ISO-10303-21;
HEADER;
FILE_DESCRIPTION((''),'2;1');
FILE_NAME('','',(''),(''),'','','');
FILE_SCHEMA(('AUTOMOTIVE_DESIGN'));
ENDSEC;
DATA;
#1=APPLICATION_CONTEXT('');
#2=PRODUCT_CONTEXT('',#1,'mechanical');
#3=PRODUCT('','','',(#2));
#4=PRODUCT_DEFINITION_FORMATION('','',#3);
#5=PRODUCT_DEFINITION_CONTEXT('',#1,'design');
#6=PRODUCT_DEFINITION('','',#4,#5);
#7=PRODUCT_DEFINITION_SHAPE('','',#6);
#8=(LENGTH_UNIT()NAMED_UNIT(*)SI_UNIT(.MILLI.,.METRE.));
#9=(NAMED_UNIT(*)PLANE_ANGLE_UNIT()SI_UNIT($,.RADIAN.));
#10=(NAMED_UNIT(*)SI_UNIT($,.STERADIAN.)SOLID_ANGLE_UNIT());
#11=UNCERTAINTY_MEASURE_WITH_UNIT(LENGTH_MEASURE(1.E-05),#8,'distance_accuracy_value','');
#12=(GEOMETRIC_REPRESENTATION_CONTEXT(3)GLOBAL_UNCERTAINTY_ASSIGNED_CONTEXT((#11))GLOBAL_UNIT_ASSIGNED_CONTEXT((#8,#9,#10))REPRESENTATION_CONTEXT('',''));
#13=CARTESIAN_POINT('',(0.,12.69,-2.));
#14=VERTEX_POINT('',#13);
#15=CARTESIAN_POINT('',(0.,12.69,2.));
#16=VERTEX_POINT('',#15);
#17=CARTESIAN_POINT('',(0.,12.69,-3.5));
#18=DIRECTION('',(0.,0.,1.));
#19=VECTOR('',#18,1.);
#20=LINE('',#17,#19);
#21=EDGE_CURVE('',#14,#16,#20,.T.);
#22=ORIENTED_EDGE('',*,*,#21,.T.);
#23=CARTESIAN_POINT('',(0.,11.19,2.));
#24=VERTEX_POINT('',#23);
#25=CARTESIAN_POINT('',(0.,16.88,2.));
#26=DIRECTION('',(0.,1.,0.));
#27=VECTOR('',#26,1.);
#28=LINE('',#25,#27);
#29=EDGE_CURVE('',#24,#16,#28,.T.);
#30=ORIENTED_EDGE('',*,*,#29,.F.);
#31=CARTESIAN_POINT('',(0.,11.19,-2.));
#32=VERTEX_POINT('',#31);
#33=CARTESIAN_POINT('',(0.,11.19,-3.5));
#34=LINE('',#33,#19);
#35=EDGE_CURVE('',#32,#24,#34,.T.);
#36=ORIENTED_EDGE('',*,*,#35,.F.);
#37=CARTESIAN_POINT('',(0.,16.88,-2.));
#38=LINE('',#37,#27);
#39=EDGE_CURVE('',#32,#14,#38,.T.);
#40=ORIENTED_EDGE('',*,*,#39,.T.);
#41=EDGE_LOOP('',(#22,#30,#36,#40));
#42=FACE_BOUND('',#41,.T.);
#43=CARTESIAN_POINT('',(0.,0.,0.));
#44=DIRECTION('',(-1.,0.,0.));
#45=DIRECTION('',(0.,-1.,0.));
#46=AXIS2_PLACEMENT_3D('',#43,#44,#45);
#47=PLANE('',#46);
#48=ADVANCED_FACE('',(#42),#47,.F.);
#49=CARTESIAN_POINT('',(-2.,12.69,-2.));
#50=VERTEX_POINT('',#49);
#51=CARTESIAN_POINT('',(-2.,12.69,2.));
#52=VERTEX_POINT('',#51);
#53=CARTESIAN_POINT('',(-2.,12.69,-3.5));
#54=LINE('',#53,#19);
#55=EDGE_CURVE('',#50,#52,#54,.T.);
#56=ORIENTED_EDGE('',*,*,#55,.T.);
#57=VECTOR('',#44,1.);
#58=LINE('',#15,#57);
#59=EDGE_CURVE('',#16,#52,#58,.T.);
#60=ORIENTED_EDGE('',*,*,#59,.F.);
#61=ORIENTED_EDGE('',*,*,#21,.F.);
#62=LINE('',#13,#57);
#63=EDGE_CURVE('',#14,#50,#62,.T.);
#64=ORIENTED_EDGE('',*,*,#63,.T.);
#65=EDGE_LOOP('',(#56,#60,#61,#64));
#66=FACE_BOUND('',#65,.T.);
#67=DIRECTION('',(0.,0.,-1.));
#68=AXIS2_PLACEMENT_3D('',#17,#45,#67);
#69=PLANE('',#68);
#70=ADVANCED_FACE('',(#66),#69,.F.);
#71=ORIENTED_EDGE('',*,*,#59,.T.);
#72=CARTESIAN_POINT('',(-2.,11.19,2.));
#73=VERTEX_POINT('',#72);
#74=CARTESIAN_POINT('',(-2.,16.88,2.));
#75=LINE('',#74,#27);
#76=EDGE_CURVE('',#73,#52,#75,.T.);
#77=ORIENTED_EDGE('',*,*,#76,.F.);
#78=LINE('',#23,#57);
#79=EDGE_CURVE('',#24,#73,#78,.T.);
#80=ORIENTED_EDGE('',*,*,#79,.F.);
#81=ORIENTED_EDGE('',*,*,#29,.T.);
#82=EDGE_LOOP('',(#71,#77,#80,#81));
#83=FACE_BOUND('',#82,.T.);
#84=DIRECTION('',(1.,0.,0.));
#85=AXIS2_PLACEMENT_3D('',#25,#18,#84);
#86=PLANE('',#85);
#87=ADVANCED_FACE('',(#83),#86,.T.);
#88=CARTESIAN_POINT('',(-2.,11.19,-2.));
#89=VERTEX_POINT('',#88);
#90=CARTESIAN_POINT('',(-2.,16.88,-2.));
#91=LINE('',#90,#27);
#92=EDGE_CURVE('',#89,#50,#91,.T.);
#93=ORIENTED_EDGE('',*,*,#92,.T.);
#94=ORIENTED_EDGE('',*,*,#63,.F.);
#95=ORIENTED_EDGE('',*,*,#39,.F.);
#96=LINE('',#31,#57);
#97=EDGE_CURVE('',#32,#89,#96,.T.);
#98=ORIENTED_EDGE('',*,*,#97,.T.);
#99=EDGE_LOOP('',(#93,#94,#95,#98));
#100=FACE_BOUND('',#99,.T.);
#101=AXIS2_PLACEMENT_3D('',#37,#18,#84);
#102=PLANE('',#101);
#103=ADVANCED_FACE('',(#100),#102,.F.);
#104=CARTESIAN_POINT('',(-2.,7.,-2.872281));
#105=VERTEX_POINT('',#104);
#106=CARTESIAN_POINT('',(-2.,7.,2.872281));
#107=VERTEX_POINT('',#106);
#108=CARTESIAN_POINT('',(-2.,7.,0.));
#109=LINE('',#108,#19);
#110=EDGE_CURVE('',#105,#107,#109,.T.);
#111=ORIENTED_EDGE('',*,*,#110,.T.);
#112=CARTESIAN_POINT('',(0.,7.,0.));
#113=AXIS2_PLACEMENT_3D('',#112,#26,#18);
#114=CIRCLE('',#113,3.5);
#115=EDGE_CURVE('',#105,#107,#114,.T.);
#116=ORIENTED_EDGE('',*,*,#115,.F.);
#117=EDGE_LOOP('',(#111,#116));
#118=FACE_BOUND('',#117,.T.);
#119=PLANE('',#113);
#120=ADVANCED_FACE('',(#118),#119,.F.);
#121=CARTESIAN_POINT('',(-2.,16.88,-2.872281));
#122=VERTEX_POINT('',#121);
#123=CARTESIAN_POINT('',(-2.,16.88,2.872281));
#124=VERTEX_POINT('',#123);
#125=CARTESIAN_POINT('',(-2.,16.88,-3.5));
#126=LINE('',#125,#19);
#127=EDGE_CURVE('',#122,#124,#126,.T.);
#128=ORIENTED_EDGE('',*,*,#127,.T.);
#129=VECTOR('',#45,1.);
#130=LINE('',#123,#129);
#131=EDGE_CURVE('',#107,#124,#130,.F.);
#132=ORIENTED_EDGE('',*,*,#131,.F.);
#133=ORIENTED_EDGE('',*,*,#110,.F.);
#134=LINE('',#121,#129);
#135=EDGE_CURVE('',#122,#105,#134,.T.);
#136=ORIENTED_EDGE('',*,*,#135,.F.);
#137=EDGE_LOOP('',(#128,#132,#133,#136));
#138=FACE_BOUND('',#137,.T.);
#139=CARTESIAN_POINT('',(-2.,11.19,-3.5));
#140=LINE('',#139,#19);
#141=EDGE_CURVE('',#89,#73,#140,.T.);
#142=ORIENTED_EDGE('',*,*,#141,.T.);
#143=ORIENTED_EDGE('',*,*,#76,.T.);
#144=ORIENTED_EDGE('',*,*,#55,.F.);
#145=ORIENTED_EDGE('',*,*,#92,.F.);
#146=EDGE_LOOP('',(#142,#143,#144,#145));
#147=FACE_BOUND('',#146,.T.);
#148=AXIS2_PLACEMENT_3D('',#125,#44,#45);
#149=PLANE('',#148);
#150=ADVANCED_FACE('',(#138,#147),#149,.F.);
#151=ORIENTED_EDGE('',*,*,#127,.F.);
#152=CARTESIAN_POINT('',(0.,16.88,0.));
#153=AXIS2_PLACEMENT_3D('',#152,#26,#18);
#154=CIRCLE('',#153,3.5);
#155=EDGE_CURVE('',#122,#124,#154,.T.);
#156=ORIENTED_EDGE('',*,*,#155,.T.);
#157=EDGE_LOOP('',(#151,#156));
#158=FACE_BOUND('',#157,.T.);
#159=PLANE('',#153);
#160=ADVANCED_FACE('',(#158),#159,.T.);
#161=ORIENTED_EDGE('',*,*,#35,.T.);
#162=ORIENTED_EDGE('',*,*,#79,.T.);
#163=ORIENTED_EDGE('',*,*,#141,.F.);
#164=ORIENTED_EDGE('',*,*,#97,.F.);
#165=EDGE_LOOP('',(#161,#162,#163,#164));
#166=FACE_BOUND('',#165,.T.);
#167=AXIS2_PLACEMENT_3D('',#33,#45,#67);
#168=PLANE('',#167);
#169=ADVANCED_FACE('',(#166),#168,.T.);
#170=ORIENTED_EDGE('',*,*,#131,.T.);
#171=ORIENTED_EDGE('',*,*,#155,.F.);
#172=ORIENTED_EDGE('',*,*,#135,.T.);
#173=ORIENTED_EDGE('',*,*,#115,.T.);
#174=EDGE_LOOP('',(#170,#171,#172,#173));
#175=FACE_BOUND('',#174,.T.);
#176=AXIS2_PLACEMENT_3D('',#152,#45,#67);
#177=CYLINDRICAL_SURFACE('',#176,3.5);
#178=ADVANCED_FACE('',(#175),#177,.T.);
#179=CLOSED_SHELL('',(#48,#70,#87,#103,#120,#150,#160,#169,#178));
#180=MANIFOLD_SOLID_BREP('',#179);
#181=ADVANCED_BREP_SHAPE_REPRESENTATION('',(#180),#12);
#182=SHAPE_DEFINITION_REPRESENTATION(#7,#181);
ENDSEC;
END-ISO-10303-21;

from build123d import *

# Parameters (mm, degrees)
SKETCH_1_R               = 2.5
EXTRUDE_1_DEPTH          = 23.88
SKETCH_2_R               = 1
EXTRUDE_2_DEPTH          = 1
CUT_EXTRUDE_1_DEPTH      = 5
CUT_EXTRUDE_START        = 18.88
CUT_EXTRUDE_2_DEPTH      = 5
SKETCH_6_R               = 0.25
CUT_EXTRUDE_3_DEPTH      = 0.25
CUT_EXTRUDE_START_2      = 5.25
SKETCH_7_R               = 0.25
CUT_EXTRUDE_4_DEPTH      = 0.25
EXTRUDE_START            = 7
SKETCH_17_R              = 3.5
EXTRUDE_5_DEPTH          = 9.88
CUT_EXTRUDE_6_DEPTH      = 26.937509518
CUT_EXTRUDE_6_DEPTH_BACK = 26.937509518
SKETCH_20_OUTSIDE_W      = 20.616
SKETCH_20_OUTSIDE_H      = 31.496
SKETCH_20_OUTSIDE_W_2    = 7
SKETCH_20_OUTSIDE_H_2    = 9.88
CUT_EXTRUDE_7_DEPTH      = 18.590747568
CUT_EXTRUDE_7_DEPTH_BACK = 18.590747568
SKETCH_22_W              = 5.5
SKETCH_22_H              = 9.88
EXTRUDE_START_2          = -2
SKETCH_24_W              = 4
SKETCH_24_H              = 1.5
EXTRUDE_6_DEPTH          = 2


with BuildPart() as part:
    # 草图1 → 凸台-拉伸1 (new body)
    with BuildSketch(Plane(origin=(0, 0, 0), x_dir=(1, 0, 0), z_dir=(0, 1, 0))):
        with Locations(Location((0, 0, 0), (0, 0, 90))):
            Circle(SKETCH_1_R)
    extrude(amount=EXTRUDE_1_DEPTH)

    # 草图2 → 凸台-拉伸2 (add)
    with BuildSketch(Plane(origin=(0, 0, 0), x_dir=(1, 0, 0), z_dir=(0, 1, 0))):
        with BuildLine():
            Line((0.166666667, 2.494438258), (7.633333333, 1.995550606))
            ThreePointArc((7.633333333, 1.995550606), (9.5, 0), (7.633333333, -1.995550606))
            Line((7.633333333, -1.995550606), (0.166666667, -2.494438258))
            ThreePointArc((0.166666667, -2.494438258), (-2.5, 0), (0.166666667, 2.494438258))
        make_face()
        with Locations(Location((7.5, 0, 0), (0, 0, 270))):
            Circle(SKETCH_2_R, mode=Mode.SUBTRACT)
    extrude(amount=EXTRUDE_2_DEPTH)

    # 草图3 → 切除-拉伸1 (cut)
    with BuildSketch(Plane(origin=(0, 0, 0), x_dir=(1, 0, 0), z_dir=(0, 1, 0))):
        with BuildLine():
            Line((-1.854049622, -0.75), (-0.75, -0.75))
            Line((-0.75, -0.75), (-0.75, -1.854049622))
            ThreePointArc((-0.75, -1.854049622), (0, -2), (0.75, -1.854049622))
            Line((0.75, -1.854049622), (0.75, -0.75))
            Line((0.75, -0.75), (1.854049622, -0.75))
            ThreePointArc((1.854049622, -0.75), (2, 0), (1.854049622, 0.75))
            Line((1.854049622, 0.75), (0.75, 0.75))
            Line((0.75, 0.75), (0.75, 1.854049622))
            ThreePointArc((0.75, 1.854049622), (0, 2), (-0.75, 1.854049622))
            Line((-0.75, 1.854049622), (-0.75, 0.75))
            Line((-0.75, 0.75), (-1.854049622, 0.75))
            ThreePointArc((-1.854049622, 0.75), (-2, 0), (-1.854049622, -0.75))
        make_face()
    extrude(amount=CUT_EXTRUDE_1_DEPTH, mode=Mode.SUBTRACT)

    # 草图5 → 切除-拉伸2 (cut)
    with BuildSketch(Plane(origin=(0, 0, 0), x_dir=(1, 0, 0), z_dir=(0, 1, 0)).offset(CUT_EXTRUDE_START)):
        with BuildLine():
            Line((1.854049622, 0.75), (0.75, 0.75))
            Line((0.75, 0.75), (0.75, 1.854049622))
            ThreePointArc((0.75, 1.854049622), (0, 2), (-0.75, 1.854049622))
            Line((-0.75, 1.854049622), (-0.75, 0.75))
            Line((-0.75, 0.75), (-1.854049622, 0.75))
            ThreePointArc((-1.854049622, 0.75), (-2, 0), (-1.854049622, -0.75))
            Line((-1.854049622, -0.75), (-0.75, -0.75))
            Line((-0.75, -0.75), (-0.75, -1.854049622))
            ThreePointArc((-0.75, -1.854049622), (0, -2), (0.75, -1.854049622))
            Line((0.75, -1.854049622), (0.75, -0.75))
            Line((0.75, -0.75), (1.854049622, -0.75))
            ThreePointArc((1.854049622, -0.75), (2, 0), (1.854049622, 0.75))
        make_face()
    extrude(amount=CUT_EXTRUDE_2_DEPTH, mode=Mode.SUBTRACT)

    # 草图6 → 切除-拉伸3 (cut)
    with BuildSketch(Plane(origin=(0, 0, 0), x_dir=(1, 0, 0), z_dir=(0, 1, 0)).offset(CUT_EXTRUDE_START)):
        with Locations(Location((0.75, 0, 0), (0, 0, 270))):
            Circle(SKETCH_6_R)
    extrude(amount=-CUT_EXTRUDE_3_DEPTH, mode=Mode.SUBTRACT)

    # 草图7 → 切除-拉伸4 (cut)
    with BuildSketch(Plane(origin=(0, 0, 0), x_dir=(1, 0, 0), z_dir=(0, 1, 0)).offset(CUT_EXTRUDE_START_2)):
        with Locations(Location((0.75, 0, 0), (0, 0, 270))):
            Circle(SKETCH_7_R)
    extrude(amount=-CUT_EXTRUDE_4_DEPTH, mode=Mode.SUBTRACT)

    # 草图17 → 凸台-拉伸5 (add)
    with BuildSketch(Plane(origin=(0, 0, 0), x_dir=(1, 0, 0), z_dir=(0, 1, 0)).offset(EXTRUDE_START)):
        with Locations(Location((0, 0, 0), (0, 0, 270))):
            Circle(SKETCH_17_R)
    extrude(amount=EXTRUDE_5_DEPTH)

    # 草图20 outside → 切除-拉伸6 (cut, two sides: drawn at the far end of the back side and taken through both)
    with BuildSketch(Plane.XY.offset(-CUT_EXTRUDE_6_DEPTH_BACK)):
        with Locations((3, 11.94)):
            Rectangle(SKETCH_20_OUTSIDE_W, SKETCH_20_OUTSIDE_H)
        with Locations((0, 11.94)):
            Rectangle(SKETCH_20_OUTSIDE_W_2, SKETCH_20_OUTSIDE_H_2, mode=Mode.SUBTRACT)
    extrude(amount=CUT_EXTRUDE_6_DEPTH + CUT_EXTRUDE_6_DEPTH_BACK, mode=Mode.SUBTRACT)

    # 草图22 → 切除-拉伸7 (cut, two sides: drawn at the far end of the back side and taken through both)
    with BuildSketch(Plane.XY.offset(-CUT_EXTRUDE_7_DEPTH_BACK)):
        with Locations((0.75, 11.94)):
            Rectangle(SKETCH_22_W, SKETCH_22_H)
    extrude(amount=CUT_EXTRUDE_7_DEPTH + CUT_EXTRUDE_7_DEPTH_BACK, mode=Mode.SUBTRACT)

    # 草图24 → 凸台-拉伸6 (add)
    with BuildSketch(Plane(origin=(0, 0, 0), x_dir=(0, 0, -1), z_dir=(1, 0, 0)).offset(EXTRUDE_START_2)):
        with Locations((0, 11.94)):
            Rectangle(SKETCH_24_W, SKETCH_24_H)
    extrude(amount=EXTRUDE_6_DEPTH)


solid = part.part
